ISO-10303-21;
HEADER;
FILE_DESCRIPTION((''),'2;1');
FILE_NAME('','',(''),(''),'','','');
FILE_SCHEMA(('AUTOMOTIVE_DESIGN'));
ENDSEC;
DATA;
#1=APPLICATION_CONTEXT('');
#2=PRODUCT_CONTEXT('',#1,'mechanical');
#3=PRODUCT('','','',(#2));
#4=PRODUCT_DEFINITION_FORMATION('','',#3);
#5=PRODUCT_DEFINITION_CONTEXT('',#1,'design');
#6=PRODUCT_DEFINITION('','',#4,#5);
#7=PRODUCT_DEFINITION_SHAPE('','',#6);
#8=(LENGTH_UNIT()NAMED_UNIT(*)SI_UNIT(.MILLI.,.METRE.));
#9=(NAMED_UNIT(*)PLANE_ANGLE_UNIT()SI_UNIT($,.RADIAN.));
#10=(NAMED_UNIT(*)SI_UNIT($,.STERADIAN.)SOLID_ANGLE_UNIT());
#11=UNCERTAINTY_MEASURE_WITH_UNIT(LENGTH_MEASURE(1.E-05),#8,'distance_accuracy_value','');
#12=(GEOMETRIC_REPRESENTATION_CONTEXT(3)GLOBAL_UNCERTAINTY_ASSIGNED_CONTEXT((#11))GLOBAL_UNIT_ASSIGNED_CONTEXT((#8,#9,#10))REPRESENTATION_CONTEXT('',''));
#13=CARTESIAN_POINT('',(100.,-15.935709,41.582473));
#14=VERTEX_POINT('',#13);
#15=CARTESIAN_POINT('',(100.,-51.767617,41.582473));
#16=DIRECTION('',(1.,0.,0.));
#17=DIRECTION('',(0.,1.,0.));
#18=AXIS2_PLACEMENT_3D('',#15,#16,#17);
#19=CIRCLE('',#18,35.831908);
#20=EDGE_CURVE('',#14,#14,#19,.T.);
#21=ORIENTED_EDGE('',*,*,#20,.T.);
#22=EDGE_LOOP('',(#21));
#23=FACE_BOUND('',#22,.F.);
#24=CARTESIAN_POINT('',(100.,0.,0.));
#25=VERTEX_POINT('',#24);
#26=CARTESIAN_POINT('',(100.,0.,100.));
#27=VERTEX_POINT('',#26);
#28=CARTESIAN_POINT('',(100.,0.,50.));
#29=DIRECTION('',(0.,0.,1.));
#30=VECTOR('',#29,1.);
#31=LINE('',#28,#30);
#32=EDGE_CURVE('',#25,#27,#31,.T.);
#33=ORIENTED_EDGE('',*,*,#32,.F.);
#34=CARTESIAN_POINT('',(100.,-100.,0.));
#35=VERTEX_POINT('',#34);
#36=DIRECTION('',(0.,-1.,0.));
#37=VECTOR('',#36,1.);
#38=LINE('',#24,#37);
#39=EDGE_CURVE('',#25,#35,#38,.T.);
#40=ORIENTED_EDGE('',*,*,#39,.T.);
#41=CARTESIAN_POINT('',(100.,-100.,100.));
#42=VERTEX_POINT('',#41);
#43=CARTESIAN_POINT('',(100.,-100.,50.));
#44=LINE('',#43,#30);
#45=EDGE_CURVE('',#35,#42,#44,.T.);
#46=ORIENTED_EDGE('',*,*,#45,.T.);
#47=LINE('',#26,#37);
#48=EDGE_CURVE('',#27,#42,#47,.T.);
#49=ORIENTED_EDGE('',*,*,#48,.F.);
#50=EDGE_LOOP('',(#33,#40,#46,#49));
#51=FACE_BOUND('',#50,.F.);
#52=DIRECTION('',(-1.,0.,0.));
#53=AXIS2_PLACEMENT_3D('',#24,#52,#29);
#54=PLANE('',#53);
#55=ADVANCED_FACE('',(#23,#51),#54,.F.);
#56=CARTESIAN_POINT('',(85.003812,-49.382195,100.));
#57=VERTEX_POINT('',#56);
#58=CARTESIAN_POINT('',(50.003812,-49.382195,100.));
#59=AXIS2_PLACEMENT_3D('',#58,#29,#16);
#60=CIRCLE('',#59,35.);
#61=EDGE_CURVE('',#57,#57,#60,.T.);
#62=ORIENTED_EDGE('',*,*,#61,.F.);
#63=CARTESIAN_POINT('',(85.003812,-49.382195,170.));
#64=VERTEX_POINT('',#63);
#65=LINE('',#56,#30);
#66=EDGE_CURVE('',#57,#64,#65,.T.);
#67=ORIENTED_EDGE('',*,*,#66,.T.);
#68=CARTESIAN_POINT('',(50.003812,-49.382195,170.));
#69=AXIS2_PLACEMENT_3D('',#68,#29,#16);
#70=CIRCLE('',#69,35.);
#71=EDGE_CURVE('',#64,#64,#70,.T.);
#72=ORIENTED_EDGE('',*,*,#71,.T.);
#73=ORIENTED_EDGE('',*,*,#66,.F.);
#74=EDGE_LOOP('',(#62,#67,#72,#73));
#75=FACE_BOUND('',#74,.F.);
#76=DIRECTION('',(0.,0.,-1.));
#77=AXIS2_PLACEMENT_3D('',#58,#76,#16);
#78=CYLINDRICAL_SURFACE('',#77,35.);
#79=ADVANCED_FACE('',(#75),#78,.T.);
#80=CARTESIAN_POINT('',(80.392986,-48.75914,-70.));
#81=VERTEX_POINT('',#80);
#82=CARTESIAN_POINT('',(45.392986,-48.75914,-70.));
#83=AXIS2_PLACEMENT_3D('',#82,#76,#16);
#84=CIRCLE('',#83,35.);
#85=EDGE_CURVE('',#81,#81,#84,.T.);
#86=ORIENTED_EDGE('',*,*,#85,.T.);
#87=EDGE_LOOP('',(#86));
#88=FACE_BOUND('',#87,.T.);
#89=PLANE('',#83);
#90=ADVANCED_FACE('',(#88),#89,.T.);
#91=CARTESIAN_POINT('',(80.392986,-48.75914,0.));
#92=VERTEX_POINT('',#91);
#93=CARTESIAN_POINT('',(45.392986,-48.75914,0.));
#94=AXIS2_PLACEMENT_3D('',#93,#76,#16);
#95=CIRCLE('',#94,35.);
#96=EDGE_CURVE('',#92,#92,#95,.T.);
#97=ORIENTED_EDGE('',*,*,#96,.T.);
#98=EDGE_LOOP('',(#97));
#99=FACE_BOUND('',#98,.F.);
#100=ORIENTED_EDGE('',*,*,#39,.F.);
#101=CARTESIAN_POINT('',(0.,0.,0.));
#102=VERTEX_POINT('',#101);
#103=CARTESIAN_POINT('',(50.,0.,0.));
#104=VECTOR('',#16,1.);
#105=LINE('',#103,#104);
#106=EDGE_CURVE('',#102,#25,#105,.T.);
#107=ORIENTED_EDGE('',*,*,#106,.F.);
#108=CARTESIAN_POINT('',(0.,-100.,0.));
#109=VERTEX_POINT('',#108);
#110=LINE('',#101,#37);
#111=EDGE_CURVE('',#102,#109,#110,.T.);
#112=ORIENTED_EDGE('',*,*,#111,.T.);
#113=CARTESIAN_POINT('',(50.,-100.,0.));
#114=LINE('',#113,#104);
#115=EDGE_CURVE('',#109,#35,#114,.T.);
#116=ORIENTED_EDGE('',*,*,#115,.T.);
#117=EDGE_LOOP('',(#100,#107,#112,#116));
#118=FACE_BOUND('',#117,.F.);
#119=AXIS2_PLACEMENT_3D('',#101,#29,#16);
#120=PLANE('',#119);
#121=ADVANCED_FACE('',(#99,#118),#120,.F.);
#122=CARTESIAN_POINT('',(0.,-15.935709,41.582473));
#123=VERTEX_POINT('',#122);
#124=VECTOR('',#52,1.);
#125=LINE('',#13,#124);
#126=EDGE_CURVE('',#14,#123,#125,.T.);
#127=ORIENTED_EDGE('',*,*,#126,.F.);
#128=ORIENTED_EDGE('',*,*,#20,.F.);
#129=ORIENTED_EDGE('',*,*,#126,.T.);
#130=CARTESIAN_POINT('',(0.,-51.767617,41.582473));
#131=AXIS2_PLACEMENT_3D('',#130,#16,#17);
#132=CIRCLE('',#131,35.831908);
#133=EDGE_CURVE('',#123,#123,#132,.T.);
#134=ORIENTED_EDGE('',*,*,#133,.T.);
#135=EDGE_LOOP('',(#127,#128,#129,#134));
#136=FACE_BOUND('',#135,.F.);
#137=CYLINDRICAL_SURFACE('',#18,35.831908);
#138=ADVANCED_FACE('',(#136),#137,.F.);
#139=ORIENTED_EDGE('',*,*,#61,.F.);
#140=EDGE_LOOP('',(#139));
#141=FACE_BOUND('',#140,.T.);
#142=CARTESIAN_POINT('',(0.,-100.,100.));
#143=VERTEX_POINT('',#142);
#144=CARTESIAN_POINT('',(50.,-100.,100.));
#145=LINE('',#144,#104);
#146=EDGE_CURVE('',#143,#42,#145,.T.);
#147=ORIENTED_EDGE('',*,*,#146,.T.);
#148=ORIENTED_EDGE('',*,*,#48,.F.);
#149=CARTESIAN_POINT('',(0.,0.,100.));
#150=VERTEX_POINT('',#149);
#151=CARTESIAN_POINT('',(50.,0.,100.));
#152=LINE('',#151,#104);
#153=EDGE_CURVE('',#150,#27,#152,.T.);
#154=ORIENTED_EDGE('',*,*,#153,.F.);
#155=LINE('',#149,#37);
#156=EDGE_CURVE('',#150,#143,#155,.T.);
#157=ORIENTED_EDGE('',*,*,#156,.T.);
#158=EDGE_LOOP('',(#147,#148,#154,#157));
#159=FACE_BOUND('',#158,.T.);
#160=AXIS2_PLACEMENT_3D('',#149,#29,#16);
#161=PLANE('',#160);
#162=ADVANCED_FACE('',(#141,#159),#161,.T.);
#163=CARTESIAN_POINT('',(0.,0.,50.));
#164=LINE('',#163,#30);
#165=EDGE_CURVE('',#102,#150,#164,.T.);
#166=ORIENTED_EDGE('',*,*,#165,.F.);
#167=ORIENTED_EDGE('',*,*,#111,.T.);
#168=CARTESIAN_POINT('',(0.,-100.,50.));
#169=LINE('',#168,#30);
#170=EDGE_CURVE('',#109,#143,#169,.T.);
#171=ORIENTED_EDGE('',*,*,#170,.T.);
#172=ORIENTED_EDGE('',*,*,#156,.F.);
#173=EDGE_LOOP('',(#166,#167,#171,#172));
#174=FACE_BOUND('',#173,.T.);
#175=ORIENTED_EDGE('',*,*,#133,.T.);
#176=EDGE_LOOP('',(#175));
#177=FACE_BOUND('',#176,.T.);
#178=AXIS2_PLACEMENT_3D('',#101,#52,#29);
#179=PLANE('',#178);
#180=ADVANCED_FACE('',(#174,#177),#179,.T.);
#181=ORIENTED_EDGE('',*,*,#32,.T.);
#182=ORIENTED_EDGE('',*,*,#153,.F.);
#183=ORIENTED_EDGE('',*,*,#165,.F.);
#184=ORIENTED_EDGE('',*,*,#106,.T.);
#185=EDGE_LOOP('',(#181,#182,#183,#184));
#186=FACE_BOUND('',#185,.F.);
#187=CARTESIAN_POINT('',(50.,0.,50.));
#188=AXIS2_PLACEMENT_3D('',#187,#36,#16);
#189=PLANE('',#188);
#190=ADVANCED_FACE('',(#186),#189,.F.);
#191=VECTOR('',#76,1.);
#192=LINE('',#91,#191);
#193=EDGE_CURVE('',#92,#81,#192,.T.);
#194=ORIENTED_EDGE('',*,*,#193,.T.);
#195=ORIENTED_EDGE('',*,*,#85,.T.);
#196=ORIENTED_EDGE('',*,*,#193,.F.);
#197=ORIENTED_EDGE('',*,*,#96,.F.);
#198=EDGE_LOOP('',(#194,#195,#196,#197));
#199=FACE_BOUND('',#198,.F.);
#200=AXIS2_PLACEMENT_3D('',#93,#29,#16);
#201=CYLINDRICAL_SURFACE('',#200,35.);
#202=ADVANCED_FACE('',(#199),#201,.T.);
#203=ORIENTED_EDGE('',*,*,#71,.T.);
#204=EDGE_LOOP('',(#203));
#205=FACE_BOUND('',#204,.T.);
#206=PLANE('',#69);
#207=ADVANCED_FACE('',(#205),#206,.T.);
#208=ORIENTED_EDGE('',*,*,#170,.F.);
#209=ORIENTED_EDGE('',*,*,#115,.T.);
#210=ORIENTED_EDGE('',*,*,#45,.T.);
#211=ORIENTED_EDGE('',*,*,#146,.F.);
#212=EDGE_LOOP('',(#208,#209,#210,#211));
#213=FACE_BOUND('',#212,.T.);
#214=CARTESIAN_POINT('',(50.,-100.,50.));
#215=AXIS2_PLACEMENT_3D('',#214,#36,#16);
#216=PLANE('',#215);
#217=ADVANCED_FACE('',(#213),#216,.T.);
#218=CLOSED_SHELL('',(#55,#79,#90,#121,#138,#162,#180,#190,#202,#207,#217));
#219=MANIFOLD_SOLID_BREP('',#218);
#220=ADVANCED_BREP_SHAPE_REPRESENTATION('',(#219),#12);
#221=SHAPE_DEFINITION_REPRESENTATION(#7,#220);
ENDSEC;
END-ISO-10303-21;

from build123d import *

# Parameters (mm, degrees)
F0_W     = 100
F0_H     = 100
F1_DEPTH = 100
F2_R     = 35
F3_DEPTH = 70
F4_R     = 35
F5_DEPTH = 70
F6_R     = 35.831908
F7_DEPTH = 100.001


with BuildPart() as f1:
    # F0 (on Front) → F1 (new body)
    with BuildSketch(Plane.XZ):
        with Locations((50, 50)):
            Rectangle(F0_W, F0_H)
    extrude(amount=F1_DEPTH)

    # F2 (on face) → F3 (join)
    with BuildSketch(Plane.XY.offset(100)):
        with Locations((50.003812, -49.382195)):
            Circle(F2_R)
    extrude(amount=F3_DEPTH)

    # F4 (on face) → F5 (join)
    with BuildSketch(Plane(origin=(0, 0, 0), x_dir=(1, 0, 0), z_dir=(0, 0, -1))):
        with Locations((45.392986, 48.75914)):
            Circle(F4_R)
    extrude(amount=F5_DEPTH)

    # F6 (on face) → F7 (cut, through all)
    with BuildSketch(Plane.YZ.offset(100)):
        with Locations((-51.767617, 41.582473)):
            Circle(F6_R)
    extrude(amount=-F7_DEPTH, mode=Mode.SUBTRACT)


solid = f1.part
